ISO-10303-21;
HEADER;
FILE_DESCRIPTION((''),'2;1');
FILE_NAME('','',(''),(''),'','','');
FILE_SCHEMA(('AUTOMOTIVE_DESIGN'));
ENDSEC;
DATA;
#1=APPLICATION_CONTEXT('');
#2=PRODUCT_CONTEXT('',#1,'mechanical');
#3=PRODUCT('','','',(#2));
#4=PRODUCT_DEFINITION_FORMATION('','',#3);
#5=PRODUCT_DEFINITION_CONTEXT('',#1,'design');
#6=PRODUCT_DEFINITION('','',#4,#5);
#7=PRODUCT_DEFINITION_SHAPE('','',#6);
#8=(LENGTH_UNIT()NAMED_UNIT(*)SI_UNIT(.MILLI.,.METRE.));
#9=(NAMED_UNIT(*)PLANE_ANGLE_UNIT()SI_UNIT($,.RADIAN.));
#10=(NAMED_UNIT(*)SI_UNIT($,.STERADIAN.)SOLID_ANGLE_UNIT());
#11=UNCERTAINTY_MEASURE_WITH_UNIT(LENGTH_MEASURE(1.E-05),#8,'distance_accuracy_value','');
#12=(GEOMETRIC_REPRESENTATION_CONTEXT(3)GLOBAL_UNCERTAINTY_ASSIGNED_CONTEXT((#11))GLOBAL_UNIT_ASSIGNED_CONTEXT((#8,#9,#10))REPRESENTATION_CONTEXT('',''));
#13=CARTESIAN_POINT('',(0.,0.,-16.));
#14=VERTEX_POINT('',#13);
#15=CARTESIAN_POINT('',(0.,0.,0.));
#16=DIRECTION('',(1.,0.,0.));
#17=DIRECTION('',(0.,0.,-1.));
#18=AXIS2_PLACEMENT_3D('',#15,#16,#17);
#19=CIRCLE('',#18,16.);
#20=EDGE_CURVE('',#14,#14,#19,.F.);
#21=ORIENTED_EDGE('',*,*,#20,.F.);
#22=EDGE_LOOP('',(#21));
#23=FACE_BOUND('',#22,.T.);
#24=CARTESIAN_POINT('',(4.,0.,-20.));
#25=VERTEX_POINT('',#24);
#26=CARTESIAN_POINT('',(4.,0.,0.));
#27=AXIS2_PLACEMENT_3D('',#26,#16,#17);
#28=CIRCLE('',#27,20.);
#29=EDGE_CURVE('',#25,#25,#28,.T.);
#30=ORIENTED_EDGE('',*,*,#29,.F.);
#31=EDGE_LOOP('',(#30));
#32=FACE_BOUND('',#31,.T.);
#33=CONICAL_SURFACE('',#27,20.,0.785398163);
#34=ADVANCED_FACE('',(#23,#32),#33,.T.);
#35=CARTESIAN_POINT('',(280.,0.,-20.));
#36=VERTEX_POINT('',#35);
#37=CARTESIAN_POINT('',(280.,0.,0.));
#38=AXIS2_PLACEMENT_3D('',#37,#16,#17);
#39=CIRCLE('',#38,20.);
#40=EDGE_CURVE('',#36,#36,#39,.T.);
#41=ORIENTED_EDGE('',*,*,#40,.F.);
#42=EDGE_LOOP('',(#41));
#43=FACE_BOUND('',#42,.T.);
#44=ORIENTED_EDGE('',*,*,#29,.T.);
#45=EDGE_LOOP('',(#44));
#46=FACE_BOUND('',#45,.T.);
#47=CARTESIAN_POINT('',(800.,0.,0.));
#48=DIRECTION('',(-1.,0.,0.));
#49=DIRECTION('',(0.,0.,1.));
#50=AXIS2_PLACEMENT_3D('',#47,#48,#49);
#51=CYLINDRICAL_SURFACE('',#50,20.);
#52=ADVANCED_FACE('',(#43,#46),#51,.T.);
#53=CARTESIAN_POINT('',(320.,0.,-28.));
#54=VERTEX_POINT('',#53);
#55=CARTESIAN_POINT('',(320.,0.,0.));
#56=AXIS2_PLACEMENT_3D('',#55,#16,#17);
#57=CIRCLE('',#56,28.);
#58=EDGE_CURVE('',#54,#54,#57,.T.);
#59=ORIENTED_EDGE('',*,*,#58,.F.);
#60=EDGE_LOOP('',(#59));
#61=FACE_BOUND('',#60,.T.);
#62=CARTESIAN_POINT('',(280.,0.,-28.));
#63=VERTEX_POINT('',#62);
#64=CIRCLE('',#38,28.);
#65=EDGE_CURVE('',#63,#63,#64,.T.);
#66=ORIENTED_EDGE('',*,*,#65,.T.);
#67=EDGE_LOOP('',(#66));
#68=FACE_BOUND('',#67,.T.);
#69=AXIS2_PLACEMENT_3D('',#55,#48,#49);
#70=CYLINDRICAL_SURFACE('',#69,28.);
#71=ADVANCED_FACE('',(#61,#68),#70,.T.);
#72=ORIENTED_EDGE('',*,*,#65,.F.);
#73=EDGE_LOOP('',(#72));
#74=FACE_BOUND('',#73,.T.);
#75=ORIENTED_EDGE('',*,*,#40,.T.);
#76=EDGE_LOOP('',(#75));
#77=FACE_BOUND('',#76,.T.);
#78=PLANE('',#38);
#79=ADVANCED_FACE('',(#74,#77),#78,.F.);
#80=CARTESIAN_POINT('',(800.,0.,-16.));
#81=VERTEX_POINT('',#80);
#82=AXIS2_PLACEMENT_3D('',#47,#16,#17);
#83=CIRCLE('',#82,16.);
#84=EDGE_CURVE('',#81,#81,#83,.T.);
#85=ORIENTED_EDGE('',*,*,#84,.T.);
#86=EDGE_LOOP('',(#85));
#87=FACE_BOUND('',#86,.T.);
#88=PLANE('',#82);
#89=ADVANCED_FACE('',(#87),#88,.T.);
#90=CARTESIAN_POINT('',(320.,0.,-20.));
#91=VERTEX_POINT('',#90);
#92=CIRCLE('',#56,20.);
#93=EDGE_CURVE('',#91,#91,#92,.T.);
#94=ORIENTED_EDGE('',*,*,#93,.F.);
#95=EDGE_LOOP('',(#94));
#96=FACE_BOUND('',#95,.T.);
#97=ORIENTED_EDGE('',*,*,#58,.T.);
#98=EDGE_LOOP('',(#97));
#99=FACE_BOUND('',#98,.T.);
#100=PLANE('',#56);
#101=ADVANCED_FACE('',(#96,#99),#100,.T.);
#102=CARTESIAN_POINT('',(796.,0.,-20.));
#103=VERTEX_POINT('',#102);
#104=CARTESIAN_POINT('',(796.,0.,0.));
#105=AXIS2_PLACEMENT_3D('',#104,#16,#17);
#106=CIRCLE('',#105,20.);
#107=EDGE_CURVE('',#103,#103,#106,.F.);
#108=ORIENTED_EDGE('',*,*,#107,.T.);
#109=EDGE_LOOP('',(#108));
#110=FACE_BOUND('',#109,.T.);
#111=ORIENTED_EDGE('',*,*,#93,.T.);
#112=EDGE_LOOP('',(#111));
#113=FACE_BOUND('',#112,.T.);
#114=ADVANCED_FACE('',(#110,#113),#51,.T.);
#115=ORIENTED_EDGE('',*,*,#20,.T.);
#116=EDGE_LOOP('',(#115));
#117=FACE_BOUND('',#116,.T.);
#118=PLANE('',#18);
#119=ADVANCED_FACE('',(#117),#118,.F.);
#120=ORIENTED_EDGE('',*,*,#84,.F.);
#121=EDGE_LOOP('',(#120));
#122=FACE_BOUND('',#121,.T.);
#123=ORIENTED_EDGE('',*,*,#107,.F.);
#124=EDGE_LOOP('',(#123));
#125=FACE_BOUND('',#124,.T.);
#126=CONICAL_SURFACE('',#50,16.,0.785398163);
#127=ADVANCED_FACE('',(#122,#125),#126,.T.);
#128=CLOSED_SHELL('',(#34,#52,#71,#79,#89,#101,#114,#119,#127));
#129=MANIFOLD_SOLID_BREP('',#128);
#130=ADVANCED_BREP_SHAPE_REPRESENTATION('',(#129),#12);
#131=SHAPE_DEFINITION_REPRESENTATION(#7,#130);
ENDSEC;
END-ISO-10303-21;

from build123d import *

# Parameters (mm, degrees)
SKETCH1_R           = 20
BOSS_EXTRUDE1_DEPTH = 800
CHAMFER1_SIZE       = 4
BOSS_EXTRUDE2_START = 280
SKETCH2_R           = 28
BOSS_EXTRUDE2_DEPTH = 40


with BuildPart() as part:
    # Sketch1 → Boss-Extrude1 (new body)
    with BuildSketch(Plane(origin=(0, 0, 0), x_dir=(0, 0, -1), z_dir=(1, 0, 0))):
        Circle(SKETCH1_R)
    extrude(amount=BOSS_EXTRUDE1_DEPTH)

    # Chamfer1
    chamfer1_edges = [part.edges().sort_by_distance(p)[0] for p in [
        (0, 0, 20),
        (800, 0, 20),
    ]]
    chamfer(chamfer1_edges, length=CHAMFER1_SIZE)

    # Sketch2 → Boss-Extrude2 (add)
    with BuildSketch(Plane(origin=(0, 0, 0), x_dir=(0, 0, -1), z_dir=(1, 0, 0)).offset(BOSS_EXTRUDE2_START)):
        Circle(SKETCH2_R)
    extrude(amount=BOSS_EXTRUDE2_DEPTH)


solid = part.part
